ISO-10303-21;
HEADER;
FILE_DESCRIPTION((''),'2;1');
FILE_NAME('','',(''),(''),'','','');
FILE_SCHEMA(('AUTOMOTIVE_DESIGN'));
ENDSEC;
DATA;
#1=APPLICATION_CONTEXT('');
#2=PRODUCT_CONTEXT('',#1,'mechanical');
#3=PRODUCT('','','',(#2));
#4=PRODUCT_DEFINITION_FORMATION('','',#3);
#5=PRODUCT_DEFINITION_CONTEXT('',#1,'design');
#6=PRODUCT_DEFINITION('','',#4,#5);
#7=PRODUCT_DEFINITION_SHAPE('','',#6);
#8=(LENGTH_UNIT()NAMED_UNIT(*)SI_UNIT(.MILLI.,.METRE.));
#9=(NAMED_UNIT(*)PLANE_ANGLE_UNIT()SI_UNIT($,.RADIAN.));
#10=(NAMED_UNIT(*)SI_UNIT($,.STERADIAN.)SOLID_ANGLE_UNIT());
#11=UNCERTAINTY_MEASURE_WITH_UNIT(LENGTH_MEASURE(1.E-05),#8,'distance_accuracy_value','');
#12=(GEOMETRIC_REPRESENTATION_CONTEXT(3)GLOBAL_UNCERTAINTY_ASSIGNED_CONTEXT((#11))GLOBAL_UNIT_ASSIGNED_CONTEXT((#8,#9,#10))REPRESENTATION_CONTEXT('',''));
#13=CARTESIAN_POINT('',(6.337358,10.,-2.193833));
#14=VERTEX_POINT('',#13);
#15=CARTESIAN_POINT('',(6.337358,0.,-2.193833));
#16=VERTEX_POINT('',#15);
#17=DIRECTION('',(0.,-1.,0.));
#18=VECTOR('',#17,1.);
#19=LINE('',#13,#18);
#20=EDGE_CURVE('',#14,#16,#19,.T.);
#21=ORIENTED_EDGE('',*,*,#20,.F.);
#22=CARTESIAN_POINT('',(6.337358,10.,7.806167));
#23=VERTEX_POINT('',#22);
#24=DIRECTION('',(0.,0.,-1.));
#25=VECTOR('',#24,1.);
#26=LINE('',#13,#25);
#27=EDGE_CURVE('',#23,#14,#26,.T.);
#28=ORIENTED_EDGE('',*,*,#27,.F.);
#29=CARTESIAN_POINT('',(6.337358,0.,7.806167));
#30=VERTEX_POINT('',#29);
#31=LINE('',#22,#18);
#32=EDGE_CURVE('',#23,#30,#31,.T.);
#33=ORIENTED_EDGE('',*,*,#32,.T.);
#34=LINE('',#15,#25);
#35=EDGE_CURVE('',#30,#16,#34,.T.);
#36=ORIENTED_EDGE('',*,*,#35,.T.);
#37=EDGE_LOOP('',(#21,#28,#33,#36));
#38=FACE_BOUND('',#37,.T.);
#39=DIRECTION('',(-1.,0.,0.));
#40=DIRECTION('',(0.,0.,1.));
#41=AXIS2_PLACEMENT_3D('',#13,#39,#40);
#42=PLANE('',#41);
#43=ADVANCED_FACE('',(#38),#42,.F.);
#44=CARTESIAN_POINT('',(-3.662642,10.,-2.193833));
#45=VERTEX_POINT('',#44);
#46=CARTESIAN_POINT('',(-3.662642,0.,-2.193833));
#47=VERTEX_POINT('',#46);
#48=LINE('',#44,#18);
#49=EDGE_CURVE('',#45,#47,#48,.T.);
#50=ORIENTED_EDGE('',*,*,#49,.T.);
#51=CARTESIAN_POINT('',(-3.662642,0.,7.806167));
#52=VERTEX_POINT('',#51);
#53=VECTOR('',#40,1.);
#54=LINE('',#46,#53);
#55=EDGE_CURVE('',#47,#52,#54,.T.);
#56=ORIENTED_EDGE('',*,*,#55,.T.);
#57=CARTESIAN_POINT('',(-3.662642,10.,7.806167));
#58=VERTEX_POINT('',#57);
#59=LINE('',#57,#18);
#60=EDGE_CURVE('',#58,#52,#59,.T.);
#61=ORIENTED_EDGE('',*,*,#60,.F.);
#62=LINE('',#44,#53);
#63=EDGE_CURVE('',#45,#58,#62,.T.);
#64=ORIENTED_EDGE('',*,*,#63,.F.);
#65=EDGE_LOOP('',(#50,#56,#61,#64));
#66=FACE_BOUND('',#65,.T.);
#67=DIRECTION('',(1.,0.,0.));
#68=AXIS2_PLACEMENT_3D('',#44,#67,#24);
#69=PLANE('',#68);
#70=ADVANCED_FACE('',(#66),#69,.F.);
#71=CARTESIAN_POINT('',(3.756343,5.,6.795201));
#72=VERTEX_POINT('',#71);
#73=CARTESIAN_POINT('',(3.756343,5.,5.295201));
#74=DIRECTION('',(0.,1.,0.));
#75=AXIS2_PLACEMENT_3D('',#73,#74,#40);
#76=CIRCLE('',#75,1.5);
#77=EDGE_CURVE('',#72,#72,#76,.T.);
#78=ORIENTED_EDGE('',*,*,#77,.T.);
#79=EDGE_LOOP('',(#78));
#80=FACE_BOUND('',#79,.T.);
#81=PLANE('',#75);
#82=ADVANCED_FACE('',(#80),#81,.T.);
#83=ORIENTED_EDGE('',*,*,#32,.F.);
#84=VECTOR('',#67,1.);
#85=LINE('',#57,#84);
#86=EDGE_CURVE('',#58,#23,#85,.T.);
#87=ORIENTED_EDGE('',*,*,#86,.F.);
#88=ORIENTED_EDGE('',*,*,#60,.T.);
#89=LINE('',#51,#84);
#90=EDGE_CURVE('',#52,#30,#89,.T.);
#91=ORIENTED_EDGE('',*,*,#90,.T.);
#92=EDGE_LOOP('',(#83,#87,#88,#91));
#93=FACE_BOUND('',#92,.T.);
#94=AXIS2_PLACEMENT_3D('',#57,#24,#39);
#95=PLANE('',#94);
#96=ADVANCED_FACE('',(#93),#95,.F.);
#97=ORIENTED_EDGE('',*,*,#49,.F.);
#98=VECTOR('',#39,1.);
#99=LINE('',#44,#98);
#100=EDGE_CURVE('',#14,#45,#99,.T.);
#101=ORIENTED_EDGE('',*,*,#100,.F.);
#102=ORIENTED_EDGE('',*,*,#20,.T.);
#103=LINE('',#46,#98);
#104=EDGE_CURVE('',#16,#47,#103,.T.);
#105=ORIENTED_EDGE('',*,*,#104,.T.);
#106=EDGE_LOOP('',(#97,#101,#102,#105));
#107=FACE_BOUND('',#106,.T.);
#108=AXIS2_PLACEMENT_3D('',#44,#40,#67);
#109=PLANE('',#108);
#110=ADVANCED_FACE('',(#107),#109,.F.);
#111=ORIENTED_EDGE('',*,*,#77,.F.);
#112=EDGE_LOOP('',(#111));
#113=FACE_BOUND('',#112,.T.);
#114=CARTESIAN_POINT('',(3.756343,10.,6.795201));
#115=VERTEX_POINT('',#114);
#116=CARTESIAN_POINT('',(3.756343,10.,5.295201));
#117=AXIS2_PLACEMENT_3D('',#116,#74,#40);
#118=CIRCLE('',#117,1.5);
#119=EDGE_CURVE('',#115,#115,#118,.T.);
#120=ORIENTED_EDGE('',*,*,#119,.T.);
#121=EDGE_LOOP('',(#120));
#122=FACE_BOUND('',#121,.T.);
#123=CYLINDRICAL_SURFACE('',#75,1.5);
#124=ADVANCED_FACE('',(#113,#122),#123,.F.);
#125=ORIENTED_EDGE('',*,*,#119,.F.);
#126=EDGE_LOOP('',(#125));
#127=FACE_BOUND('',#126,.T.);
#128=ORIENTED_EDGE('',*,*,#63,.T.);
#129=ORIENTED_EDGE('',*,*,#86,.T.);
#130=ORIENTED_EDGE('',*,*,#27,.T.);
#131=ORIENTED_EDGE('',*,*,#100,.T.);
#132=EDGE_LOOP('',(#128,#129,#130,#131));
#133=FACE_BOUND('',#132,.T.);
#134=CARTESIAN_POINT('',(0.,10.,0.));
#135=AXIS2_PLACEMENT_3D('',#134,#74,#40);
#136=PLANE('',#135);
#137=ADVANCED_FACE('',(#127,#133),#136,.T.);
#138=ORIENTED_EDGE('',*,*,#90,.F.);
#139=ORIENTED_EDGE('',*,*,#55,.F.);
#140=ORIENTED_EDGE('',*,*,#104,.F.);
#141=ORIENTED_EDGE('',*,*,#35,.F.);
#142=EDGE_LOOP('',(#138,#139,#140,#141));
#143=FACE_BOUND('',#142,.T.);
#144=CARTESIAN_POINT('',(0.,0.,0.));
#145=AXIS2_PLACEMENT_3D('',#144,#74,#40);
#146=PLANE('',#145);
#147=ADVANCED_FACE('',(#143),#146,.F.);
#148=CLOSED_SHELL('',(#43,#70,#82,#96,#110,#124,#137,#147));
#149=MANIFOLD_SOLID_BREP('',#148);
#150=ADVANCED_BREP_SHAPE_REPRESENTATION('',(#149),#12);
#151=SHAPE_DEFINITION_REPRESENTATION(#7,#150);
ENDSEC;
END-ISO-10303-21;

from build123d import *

# Parameters (mm, degrees)
SKETCH1_W           = 10
SKETCH1_H           = 10
BOSS_EXTRUDE1_DEPTH = 10
SKETCH2_R           = 1.5
CUT_EXTRUDE1_DEPTH  = 5


with BuildPart() as part:
    # Sketch1 → Boss-Extrude1 (new body)
    with BuildSketch(Plane(origin=(0, 0, 0), x_dir=(1, 0, 0), z_dir=(0, 1, 0))):
        with Locations((1.337358276, -2.806166958)):
            Rectangle(SKETCH1_W, SKETCH1_H)
    extrude(amount=BOSS_EXTRUDE1_DEPTH)

    # Sketch2 → Cut-Extrude1 (cut)
    with BuildSketch(Plane(origin=(0, 10, 0), x_dir=(1, 0, 0), z_dir=(0, 1, 0))):
        with Locations((3.756342699, -5.295200926)):
            Circle(SKETCH2_R)
    extrude(amount=-CUT_EXTRUDE1_DEPTH, mode=Mode.SUBTRACT)


solid = part.part
